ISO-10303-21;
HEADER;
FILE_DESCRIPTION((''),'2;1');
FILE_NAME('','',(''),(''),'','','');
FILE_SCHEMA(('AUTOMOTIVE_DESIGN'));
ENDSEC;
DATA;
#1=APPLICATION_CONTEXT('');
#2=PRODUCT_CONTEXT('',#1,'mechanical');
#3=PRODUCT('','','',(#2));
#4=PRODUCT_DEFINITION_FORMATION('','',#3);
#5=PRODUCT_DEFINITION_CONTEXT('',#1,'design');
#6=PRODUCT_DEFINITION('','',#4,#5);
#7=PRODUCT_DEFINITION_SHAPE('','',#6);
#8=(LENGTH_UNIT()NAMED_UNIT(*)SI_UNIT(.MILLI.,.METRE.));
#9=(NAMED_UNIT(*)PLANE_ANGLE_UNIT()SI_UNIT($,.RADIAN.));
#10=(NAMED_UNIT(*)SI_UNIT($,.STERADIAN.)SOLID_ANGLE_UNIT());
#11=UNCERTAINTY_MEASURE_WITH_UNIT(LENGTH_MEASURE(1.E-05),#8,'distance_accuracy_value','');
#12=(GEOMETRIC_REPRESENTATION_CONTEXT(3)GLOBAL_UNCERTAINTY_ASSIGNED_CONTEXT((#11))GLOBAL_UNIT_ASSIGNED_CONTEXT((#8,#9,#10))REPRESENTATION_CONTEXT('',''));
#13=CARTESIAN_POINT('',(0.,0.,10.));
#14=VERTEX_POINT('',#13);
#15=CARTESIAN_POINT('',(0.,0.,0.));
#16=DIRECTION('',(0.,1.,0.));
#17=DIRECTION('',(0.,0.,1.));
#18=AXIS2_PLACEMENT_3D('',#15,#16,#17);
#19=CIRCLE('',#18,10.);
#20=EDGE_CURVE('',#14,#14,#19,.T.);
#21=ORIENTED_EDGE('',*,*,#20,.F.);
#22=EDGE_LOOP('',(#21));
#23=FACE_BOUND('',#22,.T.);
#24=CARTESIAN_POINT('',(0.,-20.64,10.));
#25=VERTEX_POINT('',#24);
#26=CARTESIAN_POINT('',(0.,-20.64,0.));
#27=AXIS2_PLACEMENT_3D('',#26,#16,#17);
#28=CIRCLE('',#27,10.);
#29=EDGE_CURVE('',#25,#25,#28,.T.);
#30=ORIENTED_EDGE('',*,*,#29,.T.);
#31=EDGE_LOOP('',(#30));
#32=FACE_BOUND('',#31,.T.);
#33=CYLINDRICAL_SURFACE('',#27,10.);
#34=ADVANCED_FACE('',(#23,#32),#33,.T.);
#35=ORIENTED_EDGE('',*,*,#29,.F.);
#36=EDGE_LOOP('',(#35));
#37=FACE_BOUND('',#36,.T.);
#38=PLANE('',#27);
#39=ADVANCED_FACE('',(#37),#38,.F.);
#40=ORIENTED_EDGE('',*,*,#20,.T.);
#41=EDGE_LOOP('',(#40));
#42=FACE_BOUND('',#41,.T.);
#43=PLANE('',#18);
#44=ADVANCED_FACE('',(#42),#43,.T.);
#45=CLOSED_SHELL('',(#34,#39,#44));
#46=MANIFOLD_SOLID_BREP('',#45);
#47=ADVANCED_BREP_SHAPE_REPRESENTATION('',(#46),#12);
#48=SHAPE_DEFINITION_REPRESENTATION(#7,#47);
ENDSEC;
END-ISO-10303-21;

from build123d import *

# Parameters (mm, degrees)
SKETCH_1_R      = 10
EXTRUDE_1_DEPTH = 20.64


with BuildPart() as part:
    # Эскиз1 → Бобышка-Вытянуть1 (new body)
    with BuildSketch(Plane(origin=(0, 0, 0), x_dir=(1, 0, 0), z_dir=(0, 1, 0))):
        with Locations(Location((0, 0, 0), (0, 0, 270))):
            Circle(SKETCH_1_R)
    extrude(amount=-EXTRUDE_1_DEPTH)


solid = part.part
